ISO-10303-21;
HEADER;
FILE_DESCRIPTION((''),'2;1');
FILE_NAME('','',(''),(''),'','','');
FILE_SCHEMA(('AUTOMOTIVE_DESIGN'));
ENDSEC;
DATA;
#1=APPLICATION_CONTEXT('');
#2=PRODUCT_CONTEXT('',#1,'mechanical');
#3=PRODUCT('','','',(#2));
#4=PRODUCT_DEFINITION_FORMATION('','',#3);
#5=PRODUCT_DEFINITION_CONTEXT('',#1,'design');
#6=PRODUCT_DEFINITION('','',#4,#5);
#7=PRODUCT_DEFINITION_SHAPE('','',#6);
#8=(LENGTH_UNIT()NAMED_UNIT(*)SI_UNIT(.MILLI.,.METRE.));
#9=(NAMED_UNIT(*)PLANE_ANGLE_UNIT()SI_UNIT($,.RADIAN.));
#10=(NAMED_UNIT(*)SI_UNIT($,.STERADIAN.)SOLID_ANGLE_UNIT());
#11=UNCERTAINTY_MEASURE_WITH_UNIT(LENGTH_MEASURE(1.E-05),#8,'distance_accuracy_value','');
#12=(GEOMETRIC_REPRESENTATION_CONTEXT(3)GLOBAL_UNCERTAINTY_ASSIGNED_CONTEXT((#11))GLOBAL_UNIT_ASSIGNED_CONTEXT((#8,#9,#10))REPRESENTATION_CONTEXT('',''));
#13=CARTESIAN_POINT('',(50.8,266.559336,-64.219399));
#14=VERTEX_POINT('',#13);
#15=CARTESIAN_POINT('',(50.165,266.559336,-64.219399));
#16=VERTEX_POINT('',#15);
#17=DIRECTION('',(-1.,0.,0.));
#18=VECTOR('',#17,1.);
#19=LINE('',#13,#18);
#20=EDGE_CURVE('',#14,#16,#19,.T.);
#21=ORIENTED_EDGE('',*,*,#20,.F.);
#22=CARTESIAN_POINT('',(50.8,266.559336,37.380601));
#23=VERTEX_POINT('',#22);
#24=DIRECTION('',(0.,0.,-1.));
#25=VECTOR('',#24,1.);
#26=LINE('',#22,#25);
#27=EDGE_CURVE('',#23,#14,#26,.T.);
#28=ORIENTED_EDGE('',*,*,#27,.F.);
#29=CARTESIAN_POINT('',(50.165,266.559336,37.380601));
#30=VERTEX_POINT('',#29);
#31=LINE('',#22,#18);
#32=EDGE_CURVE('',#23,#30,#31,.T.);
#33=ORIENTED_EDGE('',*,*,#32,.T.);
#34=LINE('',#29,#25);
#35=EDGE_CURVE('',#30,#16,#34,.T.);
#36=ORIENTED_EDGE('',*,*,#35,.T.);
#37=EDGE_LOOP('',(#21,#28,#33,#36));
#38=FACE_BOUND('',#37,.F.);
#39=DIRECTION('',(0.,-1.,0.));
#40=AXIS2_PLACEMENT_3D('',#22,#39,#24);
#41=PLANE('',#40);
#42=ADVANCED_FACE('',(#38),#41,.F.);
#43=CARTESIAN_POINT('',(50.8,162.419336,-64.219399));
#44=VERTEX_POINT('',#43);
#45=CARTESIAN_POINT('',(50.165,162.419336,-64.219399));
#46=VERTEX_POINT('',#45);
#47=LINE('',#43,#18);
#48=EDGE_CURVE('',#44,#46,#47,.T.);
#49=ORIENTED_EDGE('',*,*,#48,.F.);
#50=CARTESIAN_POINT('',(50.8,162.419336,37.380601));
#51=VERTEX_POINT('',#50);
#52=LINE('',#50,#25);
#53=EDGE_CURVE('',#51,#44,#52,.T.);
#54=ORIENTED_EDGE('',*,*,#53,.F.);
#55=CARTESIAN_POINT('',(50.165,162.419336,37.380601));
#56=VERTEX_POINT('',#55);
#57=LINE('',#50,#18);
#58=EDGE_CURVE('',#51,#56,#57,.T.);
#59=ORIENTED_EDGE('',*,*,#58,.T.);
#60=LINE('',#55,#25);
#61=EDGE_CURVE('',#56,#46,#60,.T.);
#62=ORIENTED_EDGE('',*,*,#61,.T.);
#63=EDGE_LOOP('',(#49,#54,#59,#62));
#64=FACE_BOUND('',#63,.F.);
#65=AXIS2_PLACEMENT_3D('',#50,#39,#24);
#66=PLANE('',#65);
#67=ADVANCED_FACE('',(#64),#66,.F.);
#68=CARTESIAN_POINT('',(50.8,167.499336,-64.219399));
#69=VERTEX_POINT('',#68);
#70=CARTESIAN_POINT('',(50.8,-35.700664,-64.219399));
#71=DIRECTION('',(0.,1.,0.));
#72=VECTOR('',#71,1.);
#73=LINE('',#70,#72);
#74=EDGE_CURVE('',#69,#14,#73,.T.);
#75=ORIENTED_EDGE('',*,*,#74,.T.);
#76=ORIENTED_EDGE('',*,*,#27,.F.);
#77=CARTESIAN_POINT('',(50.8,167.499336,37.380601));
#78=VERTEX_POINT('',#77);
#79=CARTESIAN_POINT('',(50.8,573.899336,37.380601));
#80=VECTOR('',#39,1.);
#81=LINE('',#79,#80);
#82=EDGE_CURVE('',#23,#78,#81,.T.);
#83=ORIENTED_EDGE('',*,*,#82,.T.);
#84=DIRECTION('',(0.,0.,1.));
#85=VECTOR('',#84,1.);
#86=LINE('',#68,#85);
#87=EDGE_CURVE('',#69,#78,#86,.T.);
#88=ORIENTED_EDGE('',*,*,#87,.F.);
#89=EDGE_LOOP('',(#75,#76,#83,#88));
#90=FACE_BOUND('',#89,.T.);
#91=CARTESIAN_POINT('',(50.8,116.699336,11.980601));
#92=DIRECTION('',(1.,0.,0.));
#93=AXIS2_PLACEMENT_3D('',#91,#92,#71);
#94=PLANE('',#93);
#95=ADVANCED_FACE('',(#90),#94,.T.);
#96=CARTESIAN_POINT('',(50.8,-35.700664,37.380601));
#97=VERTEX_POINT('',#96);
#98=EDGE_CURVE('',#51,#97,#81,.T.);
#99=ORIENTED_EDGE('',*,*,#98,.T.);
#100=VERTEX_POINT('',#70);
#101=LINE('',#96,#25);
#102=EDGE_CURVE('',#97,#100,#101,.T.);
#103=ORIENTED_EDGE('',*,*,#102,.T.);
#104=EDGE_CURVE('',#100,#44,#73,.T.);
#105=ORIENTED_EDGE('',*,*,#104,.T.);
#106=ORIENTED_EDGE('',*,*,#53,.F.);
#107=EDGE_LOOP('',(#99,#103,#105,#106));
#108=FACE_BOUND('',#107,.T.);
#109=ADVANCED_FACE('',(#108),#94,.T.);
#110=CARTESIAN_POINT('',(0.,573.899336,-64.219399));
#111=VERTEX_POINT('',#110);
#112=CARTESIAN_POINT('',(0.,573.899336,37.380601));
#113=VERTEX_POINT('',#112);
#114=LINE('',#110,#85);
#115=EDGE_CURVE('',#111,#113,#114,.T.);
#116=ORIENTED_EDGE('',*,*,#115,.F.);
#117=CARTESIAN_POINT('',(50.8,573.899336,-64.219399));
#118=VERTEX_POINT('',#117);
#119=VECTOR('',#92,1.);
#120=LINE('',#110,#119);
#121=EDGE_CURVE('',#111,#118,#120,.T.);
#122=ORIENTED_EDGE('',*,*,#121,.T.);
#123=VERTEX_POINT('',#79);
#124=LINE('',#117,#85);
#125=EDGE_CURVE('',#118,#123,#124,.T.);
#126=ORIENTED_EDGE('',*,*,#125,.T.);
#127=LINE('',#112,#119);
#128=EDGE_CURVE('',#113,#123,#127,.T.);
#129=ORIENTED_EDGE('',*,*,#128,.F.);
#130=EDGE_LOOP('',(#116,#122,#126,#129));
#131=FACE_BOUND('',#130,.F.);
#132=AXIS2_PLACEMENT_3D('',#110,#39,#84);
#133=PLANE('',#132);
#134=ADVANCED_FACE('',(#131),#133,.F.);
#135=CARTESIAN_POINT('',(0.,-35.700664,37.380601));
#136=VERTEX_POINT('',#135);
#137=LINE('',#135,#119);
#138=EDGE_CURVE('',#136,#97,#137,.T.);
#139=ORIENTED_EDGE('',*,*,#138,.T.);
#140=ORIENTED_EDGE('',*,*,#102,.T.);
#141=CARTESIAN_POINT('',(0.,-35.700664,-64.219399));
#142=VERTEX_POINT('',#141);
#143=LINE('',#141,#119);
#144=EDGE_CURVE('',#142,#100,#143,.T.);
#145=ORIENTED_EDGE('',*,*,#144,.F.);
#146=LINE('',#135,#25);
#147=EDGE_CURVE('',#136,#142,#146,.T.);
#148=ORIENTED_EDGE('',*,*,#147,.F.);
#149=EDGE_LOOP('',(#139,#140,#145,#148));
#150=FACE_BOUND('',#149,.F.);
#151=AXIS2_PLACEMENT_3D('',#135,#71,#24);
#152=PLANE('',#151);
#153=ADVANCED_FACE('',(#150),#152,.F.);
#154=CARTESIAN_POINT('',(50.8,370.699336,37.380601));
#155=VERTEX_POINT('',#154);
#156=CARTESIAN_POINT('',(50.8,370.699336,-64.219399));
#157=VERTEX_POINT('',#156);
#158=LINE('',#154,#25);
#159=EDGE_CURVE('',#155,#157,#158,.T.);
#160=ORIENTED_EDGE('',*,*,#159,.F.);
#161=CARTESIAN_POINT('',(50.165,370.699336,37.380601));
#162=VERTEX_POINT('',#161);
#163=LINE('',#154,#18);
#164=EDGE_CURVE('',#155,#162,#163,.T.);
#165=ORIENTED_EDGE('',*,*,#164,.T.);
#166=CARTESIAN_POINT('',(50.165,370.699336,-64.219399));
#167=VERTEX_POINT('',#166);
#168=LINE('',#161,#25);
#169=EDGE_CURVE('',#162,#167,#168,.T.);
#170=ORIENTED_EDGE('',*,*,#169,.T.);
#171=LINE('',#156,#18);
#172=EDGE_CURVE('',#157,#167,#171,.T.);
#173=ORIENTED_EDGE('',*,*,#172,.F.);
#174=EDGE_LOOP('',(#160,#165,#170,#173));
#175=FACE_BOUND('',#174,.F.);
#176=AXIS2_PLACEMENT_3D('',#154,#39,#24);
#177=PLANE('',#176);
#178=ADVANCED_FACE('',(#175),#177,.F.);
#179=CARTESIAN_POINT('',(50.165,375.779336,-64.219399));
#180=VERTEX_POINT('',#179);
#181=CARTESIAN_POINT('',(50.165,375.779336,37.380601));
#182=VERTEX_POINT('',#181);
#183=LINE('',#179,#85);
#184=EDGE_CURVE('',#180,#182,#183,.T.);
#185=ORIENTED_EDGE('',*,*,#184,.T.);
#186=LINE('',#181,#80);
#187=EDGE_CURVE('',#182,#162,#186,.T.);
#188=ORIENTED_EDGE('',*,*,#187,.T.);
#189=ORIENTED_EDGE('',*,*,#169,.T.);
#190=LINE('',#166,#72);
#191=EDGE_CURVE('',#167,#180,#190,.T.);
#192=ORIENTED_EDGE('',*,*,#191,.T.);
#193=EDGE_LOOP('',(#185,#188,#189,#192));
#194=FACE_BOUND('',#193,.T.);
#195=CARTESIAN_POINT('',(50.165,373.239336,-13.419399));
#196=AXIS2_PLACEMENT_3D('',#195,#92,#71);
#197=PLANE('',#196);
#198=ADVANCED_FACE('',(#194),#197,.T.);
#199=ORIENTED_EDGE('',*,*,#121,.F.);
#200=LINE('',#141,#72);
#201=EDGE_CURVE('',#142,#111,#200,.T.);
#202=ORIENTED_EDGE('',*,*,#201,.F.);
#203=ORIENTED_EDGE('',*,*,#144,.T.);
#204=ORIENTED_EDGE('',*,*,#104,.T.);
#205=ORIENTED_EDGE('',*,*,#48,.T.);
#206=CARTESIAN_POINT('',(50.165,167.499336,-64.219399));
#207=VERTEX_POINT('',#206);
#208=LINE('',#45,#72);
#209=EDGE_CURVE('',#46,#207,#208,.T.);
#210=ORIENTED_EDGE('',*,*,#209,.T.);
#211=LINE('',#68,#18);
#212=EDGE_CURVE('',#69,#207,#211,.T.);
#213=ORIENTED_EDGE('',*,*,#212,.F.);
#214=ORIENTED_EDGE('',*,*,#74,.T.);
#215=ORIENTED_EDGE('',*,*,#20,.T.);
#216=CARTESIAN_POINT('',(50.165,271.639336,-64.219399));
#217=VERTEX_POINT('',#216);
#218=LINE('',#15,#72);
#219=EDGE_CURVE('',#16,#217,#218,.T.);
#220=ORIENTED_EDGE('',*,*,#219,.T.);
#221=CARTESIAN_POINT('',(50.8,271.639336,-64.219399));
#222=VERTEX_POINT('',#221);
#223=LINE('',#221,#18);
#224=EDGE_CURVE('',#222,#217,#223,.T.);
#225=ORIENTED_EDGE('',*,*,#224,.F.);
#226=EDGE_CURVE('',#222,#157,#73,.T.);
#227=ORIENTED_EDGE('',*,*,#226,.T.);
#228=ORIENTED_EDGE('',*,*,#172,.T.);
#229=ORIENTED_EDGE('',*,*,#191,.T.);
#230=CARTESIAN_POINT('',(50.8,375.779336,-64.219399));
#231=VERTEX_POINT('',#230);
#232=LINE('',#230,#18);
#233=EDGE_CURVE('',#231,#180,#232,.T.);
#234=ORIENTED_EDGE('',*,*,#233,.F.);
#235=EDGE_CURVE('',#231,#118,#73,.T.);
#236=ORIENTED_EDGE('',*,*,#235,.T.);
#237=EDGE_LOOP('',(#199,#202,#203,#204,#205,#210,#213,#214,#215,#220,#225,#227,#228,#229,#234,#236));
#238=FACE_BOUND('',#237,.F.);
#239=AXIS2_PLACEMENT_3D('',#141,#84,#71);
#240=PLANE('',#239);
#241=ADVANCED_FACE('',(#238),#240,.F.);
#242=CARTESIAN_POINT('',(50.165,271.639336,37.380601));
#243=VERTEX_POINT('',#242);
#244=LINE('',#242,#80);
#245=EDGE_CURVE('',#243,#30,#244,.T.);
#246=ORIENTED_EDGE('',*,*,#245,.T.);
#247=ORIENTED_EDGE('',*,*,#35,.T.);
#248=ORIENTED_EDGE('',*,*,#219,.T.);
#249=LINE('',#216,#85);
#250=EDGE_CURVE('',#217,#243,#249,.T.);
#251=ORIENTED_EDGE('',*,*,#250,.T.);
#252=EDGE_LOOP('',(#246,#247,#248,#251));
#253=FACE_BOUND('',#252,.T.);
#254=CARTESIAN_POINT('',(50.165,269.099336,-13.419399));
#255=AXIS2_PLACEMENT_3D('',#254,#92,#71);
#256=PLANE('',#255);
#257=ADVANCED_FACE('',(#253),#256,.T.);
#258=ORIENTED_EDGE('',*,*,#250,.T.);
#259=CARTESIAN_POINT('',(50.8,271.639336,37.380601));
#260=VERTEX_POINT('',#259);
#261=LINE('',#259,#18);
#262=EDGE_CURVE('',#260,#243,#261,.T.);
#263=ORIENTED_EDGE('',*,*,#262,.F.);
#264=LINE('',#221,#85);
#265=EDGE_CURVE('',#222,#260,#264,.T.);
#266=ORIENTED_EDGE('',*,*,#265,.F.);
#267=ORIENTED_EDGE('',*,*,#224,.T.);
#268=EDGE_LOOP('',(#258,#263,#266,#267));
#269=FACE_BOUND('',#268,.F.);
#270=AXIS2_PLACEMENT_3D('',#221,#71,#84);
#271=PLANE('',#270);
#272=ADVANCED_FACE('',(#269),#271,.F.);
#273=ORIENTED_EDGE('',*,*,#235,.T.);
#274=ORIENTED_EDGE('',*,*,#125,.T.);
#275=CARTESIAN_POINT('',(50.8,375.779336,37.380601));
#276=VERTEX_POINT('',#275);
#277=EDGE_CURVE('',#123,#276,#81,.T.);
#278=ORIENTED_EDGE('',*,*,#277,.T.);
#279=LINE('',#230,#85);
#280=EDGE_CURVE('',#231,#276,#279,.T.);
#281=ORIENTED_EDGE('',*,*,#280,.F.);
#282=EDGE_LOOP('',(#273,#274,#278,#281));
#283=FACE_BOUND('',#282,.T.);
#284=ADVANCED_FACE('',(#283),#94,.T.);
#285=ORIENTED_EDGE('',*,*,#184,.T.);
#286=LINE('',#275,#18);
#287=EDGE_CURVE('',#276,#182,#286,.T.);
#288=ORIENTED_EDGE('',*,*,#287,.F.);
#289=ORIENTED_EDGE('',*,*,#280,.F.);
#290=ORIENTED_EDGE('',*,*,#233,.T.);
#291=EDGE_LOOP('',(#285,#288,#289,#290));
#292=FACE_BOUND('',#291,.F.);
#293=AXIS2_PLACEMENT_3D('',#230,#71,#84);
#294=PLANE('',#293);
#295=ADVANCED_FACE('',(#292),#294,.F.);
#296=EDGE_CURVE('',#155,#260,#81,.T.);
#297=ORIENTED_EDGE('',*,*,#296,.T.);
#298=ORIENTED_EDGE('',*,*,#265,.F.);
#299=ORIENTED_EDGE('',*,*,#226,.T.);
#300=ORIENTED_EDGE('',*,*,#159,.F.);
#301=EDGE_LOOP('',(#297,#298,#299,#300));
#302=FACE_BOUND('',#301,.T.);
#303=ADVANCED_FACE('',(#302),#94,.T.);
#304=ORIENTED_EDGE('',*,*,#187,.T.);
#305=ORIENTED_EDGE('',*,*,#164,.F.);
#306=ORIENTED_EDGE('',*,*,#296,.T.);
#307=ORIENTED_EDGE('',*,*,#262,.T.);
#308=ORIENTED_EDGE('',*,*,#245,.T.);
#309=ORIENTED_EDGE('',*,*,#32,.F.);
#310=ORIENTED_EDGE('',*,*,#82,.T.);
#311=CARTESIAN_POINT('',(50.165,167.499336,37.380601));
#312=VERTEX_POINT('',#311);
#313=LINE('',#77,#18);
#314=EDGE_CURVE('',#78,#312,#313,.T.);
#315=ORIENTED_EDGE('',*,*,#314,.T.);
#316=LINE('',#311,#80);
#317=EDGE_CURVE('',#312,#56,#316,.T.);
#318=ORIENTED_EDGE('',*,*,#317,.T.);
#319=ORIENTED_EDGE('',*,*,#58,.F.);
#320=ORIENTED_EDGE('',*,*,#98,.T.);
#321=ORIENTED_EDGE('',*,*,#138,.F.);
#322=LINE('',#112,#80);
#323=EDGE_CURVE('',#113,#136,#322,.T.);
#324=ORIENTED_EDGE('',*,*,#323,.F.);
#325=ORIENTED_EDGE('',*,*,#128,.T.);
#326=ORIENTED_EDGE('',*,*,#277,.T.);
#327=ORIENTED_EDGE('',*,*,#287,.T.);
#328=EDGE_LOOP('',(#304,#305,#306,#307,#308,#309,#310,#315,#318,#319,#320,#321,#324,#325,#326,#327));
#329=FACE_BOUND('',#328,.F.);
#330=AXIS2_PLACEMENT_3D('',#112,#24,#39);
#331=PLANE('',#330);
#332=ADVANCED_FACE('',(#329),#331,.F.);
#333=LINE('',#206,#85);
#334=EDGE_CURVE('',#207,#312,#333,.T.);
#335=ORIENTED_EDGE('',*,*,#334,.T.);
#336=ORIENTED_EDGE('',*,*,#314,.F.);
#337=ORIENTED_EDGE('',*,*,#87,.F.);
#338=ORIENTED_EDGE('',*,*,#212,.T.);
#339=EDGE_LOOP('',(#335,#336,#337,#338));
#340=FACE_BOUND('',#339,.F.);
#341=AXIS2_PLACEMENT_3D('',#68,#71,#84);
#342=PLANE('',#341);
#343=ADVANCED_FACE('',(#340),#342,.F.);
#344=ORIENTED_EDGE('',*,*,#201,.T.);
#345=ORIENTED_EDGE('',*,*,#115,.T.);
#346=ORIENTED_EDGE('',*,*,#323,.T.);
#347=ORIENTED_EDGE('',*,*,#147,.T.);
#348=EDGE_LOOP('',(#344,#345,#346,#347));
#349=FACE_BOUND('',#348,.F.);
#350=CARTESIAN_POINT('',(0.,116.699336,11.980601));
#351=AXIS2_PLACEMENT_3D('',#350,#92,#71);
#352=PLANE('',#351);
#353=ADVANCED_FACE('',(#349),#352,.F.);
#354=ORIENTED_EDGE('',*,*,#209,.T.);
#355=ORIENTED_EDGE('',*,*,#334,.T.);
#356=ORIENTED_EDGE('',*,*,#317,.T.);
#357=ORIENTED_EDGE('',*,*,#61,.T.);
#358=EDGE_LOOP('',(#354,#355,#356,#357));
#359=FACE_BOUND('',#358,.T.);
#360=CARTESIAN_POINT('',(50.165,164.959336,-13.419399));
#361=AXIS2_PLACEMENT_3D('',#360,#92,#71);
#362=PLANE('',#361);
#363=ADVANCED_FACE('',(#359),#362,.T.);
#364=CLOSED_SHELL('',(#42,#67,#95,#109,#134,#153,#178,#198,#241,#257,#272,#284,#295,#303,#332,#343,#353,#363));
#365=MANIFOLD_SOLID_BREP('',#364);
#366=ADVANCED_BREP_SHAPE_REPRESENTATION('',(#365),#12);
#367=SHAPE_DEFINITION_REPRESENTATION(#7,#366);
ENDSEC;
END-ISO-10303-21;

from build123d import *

# Parameters (mm, degrees)
F0_W     = 304.8
F0_H     = 50.8
F1_DEPTH = 50.8
F3_DEPTH = 0.635


with BuildPart() as f1:
    # F0 (on Right) → F1 (new body)
    with BuildSketch(Plane.YZ):
        with Locations((116.699336, 11.980601)):
            Rectangle(F0_W, F0_H)
        Polygon((573.899336, 37.380601), (269.099336, 37.380601), (269.099336, -13.419399), (269.099336, -64.219399), (573.899336, -64.219399), align=None)
        with Locations((116.699336, -38.819399)):
            Rectangle(F0_W, F0_H)
    extrude(amount=F1_DEPTH)

    # F2 (on face) → F3 (cut)
    with BuildSketch(Plane.YZ.offset(50.8)):
        Polygon((266.559336, 37.380601), (266.559336, 24.680648), (266.559336, -64.219399), (271.639336, -64.219399), (271.639336, 24.680648), (271.639336, 37.380601), align=None)
        Polygon((167.499336, -64.219399), (167.499336, -56.283856), (167.499336, 37.380601), (162.419336, 37.380601), (162.419336, -56.283856), (162.419336, -64.219399), align=None)
        Polygon((370.699336, 37.380601), (370.699336, -55.819727), (370.699336, -64.219399), (375.779336, -64.219399), (375.779336, -55.819727), (375.779336, 37.380601), align=None)
    extrude(amount=-F3_DEPTH, mode=Mode.SUBTRACT)


solid = f1.part
